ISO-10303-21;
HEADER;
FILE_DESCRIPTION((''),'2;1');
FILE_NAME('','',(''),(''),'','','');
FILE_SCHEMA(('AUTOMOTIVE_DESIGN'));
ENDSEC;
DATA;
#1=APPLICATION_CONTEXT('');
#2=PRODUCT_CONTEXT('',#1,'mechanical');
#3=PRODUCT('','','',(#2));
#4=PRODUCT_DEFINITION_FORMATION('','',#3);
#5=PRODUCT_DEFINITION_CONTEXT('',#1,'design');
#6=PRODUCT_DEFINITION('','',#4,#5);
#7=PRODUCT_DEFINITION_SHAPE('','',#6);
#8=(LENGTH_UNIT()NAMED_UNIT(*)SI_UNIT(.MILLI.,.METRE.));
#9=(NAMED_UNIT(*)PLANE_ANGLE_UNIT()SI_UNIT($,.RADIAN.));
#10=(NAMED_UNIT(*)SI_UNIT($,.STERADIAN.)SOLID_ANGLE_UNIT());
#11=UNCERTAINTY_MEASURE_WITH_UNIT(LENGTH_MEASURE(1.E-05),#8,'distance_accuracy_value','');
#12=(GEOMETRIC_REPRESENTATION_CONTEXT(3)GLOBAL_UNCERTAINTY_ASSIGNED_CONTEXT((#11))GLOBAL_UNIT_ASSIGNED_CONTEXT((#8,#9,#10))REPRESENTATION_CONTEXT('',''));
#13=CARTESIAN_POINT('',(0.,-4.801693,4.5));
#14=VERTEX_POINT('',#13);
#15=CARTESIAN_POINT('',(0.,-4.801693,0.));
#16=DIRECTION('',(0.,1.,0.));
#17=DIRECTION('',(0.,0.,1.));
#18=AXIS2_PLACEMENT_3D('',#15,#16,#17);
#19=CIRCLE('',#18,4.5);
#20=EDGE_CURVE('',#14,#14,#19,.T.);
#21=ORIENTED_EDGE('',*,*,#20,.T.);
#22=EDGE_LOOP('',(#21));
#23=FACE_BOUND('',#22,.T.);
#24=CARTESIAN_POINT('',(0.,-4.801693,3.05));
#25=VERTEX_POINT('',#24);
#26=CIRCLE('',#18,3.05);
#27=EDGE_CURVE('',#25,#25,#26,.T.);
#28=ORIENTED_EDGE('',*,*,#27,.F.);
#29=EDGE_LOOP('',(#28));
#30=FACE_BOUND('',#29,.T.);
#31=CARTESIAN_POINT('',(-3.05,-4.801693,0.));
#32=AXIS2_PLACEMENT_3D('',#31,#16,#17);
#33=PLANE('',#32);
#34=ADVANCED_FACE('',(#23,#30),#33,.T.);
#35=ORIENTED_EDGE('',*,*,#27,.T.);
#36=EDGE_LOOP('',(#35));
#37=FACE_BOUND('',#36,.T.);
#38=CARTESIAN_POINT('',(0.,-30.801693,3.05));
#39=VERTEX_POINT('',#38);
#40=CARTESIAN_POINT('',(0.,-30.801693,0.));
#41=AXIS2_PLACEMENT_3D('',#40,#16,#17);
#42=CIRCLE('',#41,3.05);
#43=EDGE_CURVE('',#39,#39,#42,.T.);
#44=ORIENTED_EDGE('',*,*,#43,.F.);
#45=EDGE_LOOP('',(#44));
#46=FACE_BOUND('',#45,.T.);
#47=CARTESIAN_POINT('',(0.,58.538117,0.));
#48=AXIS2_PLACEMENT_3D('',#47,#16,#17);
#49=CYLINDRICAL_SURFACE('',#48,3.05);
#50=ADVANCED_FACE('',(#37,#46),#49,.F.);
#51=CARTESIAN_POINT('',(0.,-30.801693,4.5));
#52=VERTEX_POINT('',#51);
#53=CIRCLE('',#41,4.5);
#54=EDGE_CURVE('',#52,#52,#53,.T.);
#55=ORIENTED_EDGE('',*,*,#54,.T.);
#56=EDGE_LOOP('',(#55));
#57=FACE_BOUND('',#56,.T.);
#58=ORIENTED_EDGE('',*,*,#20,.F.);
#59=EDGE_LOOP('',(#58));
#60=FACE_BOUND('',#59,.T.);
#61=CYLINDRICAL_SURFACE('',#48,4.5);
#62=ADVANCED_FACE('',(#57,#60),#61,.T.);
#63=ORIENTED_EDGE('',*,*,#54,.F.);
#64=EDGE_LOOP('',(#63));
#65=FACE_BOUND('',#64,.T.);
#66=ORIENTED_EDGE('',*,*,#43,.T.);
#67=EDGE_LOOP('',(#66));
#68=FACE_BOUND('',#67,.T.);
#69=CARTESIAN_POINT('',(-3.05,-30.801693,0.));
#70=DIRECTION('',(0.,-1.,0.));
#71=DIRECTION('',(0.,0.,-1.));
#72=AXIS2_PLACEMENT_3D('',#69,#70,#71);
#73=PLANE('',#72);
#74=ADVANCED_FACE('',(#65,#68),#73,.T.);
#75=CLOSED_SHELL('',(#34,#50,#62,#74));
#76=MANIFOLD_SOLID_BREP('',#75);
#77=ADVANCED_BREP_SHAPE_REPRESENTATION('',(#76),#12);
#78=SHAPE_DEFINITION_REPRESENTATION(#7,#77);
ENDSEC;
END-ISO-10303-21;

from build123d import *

# Parameters (mm, degrees)
SKETCH1_W = 1.45
SKETCH1_H = 26


with BuildPart() as part:
    # Sketch1 → Revolve1 (revolve)
    with BuildSketch(Plane.XY):
        with Locations((-3.775, -17.801692553)):
            Rectangle(SKETCH1_W, SKETCH1_H)
    revolve(axis=Axis((0, 58.538116559, 0), (0, -1, 0)))


solid = part.part
